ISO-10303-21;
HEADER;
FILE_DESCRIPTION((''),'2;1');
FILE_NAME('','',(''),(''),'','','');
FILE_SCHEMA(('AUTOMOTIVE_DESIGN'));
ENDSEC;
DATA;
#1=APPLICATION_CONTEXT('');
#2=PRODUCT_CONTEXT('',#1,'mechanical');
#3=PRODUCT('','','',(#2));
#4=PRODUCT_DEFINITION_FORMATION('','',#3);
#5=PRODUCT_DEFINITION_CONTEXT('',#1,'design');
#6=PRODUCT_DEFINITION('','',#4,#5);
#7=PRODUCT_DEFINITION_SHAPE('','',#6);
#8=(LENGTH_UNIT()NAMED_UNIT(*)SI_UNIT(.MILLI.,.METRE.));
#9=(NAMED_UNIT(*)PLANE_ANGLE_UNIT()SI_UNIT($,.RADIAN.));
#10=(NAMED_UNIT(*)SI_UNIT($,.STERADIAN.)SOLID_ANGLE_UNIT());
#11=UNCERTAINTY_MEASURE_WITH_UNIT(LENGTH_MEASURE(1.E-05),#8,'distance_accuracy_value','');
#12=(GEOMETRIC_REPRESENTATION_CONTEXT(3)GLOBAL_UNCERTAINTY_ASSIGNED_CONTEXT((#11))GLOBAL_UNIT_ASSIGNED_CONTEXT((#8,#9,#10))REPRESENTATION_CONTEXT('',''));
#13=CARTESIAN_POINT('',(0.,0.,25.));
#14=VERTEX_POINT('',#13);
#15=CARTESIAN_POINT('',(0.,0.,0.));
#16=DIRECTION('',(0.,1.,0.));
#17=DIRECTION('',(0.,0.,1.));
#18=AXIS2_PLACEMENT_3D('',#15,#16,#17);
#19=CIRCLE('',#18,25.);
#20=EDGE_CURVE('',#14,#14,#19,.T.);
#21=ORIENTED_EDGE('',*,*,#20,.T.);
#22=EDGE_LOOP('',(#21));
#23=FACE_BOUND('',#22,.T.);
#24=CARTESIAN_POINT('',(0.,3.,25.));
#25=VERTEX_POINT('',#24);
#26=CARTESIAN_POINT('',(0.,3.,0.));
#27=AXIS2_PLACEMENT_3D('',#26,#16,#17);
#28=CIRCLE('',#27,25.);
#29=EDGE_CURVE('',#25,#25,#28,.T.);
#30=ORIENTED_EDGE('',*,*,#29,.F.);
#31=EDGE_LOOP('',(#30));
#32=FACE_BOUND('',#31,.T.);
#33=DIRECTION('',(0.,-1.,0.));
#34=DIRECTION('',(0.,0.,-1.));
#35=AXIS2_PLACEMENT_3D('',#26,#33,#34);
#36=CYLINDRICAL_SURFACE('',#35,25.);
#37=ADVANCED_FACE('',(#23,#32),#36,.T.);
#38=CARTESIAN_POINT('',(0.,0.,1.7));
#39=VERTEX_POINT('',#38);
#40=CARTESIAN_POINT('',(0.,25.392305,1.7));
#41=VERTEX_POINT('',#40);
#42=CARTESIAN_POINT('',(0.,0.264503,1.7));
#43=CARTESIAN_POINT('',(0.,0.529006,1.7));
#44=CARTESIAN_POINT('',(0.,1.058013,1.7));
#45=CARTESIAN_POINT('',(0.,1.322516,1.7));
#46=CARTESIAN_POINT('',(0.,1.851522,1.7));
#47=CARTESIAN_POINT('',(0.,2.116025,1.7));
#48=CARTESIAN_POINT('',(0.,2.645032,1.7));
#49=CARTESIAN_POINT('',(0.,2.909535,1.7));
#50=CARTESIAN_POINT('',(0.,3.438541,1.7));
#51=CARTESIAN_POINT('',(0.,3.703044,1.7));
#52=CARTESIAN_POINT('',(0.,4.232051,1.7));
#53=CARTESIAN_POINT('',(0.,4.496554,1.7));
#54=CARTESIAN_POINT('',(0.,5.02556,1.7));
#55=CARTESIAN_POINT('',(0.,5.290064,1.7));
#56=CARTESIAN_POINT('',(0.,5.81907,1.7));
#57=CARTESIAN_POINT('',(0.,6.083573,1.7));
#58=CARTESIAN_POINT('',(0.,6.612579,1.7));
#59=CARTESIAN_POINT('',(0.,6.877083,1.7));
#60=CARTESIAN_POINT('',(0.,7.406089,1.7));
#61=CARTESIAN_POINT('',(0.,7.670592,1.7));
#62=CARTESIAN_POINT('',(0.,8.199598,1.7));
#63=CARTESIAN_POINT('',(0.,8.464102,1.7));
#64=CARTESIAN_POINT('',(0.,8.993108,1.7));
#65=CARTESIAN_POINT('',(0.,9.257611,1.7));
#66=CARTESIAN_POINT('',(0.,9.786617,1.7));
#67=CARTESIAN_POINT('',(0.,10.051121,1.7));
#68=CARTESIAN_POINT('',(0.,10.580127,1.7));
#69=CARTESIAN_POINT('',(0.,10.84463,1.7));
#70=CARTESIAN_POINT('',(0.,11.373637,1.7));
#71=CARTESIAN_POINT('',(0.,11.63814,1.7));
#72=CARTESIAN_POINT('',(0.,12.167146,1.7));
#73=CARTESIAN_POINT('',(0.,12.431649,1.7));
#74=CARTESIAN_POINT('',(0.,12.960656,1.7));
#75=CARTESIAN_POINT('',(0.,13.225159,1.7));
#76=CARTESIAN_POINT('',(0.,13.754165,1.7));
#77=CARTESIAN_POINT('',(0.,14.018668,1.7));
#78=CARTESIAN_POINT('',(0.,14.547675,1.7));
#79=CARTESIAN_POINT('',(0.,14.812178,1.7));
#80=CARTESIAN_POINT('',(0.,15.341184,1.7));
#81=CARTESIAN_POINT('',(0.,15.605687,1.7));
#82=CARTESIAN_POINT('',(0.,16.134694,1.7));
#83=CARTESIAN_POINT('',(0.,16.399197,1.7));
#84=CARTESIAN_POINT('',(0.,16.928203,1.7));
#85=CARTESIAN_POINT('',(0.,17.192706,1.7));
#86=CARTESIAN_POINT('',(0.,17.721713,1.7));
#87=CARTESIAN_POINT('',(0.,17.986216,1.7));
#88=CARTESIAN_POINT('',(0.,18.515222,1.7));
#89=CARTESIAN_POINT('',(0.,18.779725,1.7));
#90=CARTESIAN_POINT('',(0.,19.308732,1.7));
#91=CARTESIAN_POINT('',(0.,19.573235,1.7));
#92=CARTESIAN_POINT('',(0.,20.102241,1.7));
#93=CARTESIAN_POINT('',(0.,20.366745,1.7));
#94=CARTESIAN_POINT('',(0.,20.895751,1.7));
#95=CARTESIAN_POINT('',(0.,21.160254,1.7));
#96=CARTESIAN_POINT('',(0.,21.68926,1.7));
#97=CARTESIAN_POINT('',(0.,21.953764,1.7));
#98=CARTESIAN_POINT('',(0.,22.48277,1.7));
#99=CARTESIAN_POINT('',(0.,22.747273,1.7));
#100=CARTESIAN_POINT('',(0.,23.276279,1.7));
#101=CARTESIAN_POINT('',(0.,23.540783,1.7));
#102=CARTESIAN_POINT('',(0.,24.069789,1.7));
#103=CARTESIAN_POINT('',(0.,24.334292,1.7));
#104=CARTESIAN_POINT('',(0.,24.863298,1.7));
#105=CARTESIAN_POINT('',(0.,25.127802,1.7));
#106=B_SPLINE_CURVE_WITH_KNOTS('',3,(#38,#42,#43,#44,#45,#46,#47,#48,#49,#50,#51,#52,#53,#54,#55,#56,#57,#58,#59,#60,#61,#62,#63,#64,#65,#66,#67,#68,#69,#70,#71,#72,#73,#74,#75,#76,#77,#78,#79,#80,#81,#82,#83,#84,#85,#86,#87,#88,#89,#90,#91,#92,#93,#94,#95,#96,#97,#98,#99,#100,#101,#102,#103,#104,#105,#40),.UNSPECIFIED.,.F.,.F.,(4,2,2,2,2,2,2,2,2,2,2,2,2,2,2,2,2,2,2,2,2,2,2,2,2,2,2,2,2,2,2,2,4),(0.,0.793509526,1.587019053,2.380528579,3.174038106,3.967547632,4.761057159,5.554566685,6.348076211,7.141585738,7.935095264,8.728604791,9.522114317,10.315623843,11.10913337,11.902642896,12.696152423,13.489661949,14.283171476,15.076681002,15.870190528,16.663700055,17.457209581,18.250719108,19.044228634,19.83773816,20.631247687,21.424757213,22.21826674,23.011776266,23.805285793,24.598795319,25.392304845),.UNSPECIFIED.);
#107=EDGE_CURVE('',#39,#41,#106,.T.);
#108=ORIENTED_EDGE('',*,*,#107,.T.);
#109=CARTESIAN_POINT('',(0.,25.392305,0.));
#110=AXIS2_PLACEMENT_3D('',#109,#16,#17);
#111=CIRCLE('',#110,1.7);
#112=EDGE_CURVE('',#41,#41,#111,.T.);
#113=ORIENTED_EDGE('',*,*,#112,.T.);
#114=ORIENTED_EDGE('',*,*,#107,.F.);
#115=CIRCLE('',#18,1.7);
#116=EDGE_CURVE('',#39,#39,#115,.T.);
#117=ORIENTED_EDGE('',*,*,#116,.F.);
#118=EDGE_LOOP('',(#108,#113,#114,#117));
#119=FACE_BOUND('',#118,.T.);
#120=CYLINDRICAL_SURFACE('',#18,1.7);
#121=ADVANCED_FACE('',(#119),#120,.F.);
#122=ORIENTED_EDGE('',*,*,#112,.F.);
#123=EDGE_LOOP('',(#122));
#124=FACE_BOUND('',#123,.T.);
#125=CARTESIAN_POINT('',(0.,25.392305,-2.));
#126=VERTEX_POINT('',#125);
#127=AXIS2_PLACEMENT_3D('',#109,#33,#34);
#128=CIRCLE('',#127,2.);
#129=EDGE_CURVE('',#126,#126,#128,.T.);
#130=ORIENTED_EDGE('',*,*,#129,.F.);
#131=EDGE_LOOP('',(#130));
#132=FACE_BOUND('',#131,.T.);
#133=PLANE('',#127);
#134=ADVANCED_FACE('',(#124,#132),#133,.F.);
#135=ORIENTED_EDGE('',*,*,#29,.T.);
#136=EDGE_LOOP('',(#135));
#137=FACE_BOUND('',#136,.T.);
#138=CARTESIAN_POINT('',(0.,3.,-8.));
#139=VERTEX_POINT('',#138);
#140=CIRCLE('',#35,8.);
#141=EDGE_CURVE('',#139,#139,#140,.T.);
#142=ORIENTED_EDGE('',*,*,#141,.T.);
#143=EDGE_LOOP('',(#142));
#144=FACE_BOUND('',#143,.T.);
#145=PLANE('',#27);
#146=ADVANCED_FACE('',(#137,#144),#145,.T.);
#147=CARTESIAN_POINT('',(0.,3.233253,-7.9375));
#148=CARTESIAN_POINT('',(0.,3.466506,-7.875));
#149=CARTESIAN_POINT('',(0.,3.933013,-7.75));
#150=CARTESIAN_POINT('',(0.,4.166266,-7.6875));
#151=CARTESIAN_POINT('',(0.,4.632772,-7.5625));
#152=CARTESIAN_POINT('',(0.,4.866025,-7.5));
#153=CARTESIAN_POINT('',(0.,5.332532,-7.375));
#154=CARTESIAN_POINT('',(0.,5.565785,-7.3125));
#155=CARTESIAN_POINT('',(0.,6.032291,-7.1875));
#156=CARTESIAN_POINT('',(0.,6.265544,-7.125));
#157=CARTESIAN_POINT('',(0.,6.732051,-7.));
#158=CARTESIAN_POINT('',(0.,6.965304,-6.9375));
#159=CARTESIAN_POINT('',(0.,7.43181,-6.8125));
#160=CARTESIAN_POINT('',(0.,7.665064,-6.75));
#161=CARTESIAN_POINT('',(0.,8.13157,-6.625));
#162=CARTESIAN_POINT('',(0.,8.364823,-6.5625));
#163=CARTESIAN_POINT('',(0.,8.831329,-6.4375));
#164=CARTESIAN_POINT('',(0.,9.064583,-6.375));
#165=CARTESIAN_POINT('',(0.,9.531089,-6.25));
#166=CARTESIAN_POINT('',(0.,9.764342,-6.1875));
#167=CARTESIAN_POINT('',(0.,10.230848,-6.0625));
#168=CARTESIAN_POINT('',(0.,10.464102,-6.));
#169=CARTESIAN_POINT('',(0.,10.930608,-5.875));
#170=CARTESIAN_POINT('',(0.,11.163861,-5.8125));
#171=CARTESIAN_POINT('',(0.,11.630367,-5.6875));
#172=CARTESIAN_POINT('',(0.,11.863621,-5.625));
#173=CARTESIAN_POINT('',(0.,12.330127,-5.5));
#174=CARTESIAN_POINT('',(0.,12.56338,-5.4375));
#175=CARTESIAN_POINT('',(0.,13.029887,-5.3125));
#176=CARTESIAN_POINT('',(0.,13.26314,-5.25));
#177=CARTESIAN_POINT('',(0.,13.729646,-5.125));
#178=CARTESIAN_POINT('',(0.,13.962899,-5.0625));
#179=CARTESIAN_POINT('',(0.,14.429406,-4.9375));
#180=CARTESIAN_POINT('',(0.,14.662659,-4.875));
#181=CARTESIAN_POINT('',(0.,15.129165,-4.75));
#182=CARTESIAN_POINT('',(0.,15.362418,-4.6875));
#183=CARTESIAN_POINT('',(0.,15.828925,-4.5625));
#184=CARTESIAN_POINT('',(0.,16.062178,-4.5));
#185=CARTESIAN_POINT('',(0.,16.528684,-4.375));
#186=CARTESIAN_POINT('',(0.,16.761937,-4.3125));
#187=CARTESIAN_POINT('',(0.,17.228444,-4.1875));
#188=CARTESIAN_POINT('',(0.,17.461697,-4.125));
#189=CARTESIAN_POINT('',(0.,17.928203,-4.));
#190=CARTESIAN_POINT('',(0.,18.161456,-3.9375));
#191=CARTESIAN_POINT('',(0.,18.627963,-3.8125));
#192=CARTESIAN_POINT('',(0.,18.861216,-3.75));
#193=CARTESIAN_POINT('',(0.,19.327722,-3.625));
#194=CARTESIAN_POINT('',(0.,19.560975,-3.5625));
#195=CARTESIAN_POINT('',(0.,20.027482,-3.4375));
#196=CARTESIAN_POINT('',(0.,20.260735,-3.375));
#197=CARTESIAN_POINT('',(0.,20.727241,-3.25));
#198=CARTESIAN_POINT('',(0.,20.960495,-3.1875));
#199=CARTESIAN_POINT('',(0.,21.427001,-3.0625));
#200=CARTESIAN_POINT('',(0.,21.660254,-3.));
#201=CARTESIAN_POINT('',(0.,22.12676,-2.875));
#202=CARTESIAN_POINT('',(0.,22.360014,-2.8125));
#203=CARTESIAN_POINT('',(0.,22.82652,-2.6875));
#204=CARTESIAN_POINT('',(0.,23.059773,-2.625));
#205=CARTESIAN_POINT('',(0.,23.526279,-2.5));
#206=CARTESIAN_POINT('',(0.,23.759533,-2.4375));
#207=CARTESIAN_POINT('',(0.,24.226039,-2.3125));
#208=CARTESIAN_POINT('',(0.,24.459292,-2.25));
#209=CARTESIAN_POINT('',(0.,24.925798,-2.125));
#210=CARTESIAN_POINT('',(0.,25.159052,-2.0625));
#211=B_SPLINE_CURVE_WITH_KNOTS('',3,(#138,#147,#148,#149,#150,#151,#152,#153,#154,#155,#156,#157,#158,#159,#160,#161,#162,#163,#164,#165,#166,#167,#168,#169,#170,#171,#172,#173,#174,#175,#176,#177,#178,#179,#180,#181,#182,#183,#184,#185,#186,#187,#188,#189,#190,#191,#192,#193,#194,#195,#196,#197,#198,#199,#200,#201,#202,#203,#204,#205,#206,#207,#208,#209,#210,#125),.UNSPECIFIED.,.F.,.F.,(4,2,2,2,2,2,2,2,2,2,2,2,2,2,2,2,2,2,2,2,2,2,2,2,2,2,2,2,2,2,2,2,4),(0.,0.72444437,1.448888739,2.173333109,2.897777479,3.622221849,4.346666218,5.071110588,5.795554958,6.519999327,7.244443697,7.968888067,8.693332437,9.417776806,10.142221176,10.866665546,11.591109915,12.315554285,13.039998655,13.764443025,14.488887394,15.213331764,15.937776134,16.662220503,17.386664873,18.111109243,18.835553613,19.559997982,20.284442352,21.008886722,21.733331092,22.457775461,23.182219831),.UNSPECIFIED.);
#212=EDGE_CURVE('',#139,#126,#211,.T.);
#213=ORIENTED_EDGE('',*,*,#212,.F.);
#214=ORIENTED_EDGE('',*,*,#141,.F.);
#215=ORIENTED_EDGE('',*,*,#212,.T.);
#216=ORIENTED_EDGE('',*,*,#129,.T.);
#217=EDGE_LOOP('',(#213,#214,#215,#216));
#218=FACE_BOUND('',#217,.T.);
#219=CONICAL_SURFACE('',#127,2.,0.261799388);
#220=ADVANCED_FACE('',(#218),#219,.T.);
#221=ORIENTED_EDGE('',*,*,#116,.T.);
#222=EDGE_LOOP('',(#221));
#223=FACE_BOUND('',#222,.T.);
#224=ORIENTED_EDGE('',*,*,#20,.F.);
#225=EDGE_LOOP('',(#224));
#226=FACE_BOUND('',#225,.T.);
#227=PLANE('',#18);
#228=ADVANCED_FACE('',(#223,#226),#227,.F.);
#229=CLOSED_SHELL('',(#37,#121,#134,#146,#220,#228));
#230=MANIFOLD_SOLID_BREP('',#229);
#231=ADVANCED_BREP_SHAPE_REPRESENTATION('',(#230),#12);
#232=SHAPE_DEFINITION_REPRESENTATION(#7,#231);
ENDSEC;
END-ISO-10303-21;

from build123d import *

# Parameters (mm, degrees)
SKETCH1_R           = 25
BOSS_EXTRUDE1_DEPTH = 3
SKETCH3_R           = 1.7
CUT_EXTRUDE1_DEPTH  = 44.528946063


with BuildPart() as part:
    # Sketch1 → Boss-Extrude1 (new body)
    with BuildSketch(Plane(origin=(0, 0, 0), x_dir=(1, 0, 0), z_dir=(0, 1, 0))):
        with Locations(Location((0, 0, 0), (0, 0, 270))):
            Circle(SKETCH1_R)
    extrude(amount=BOSS_EXTRUDE1_DEPTH)

    # Sketch2 → Revolve1 (revolve)
    with BuildSketch(Plane(origin=(0, 0, 0), x_dir=(0, 0, -1), z_dir=(1, 0, 0)), mode=Mode.PRIVATE) as revolve1_sk:
        Polygon((-8, 3), (-2, 25.392304845), (0, 25.392304845), (0, 3), align=None)
    revolve(revolve1_sk.sketch.rotate(Axis((0, 0, 0), (0, 1, 0)), 180), axis=Axis((0, 0, 0), (0, 1, 0)))

    # Sketch3 → Cut-Extrude1 (cut, through all)
    with BuildSketch(Plane(origin=(0, 25.392304845, 0), x_dir=(1, 0, 0), z_dir=(0, 1, 0))):
        with Locations(Location((0, 0, 0), (0, 0, 270))):
            Circle(SKETCH3_R)
    extrude(amount=-CUT_EXTRUDE1_DEPTH, mode=Mode.SUBTRACT)


solid = part.part
